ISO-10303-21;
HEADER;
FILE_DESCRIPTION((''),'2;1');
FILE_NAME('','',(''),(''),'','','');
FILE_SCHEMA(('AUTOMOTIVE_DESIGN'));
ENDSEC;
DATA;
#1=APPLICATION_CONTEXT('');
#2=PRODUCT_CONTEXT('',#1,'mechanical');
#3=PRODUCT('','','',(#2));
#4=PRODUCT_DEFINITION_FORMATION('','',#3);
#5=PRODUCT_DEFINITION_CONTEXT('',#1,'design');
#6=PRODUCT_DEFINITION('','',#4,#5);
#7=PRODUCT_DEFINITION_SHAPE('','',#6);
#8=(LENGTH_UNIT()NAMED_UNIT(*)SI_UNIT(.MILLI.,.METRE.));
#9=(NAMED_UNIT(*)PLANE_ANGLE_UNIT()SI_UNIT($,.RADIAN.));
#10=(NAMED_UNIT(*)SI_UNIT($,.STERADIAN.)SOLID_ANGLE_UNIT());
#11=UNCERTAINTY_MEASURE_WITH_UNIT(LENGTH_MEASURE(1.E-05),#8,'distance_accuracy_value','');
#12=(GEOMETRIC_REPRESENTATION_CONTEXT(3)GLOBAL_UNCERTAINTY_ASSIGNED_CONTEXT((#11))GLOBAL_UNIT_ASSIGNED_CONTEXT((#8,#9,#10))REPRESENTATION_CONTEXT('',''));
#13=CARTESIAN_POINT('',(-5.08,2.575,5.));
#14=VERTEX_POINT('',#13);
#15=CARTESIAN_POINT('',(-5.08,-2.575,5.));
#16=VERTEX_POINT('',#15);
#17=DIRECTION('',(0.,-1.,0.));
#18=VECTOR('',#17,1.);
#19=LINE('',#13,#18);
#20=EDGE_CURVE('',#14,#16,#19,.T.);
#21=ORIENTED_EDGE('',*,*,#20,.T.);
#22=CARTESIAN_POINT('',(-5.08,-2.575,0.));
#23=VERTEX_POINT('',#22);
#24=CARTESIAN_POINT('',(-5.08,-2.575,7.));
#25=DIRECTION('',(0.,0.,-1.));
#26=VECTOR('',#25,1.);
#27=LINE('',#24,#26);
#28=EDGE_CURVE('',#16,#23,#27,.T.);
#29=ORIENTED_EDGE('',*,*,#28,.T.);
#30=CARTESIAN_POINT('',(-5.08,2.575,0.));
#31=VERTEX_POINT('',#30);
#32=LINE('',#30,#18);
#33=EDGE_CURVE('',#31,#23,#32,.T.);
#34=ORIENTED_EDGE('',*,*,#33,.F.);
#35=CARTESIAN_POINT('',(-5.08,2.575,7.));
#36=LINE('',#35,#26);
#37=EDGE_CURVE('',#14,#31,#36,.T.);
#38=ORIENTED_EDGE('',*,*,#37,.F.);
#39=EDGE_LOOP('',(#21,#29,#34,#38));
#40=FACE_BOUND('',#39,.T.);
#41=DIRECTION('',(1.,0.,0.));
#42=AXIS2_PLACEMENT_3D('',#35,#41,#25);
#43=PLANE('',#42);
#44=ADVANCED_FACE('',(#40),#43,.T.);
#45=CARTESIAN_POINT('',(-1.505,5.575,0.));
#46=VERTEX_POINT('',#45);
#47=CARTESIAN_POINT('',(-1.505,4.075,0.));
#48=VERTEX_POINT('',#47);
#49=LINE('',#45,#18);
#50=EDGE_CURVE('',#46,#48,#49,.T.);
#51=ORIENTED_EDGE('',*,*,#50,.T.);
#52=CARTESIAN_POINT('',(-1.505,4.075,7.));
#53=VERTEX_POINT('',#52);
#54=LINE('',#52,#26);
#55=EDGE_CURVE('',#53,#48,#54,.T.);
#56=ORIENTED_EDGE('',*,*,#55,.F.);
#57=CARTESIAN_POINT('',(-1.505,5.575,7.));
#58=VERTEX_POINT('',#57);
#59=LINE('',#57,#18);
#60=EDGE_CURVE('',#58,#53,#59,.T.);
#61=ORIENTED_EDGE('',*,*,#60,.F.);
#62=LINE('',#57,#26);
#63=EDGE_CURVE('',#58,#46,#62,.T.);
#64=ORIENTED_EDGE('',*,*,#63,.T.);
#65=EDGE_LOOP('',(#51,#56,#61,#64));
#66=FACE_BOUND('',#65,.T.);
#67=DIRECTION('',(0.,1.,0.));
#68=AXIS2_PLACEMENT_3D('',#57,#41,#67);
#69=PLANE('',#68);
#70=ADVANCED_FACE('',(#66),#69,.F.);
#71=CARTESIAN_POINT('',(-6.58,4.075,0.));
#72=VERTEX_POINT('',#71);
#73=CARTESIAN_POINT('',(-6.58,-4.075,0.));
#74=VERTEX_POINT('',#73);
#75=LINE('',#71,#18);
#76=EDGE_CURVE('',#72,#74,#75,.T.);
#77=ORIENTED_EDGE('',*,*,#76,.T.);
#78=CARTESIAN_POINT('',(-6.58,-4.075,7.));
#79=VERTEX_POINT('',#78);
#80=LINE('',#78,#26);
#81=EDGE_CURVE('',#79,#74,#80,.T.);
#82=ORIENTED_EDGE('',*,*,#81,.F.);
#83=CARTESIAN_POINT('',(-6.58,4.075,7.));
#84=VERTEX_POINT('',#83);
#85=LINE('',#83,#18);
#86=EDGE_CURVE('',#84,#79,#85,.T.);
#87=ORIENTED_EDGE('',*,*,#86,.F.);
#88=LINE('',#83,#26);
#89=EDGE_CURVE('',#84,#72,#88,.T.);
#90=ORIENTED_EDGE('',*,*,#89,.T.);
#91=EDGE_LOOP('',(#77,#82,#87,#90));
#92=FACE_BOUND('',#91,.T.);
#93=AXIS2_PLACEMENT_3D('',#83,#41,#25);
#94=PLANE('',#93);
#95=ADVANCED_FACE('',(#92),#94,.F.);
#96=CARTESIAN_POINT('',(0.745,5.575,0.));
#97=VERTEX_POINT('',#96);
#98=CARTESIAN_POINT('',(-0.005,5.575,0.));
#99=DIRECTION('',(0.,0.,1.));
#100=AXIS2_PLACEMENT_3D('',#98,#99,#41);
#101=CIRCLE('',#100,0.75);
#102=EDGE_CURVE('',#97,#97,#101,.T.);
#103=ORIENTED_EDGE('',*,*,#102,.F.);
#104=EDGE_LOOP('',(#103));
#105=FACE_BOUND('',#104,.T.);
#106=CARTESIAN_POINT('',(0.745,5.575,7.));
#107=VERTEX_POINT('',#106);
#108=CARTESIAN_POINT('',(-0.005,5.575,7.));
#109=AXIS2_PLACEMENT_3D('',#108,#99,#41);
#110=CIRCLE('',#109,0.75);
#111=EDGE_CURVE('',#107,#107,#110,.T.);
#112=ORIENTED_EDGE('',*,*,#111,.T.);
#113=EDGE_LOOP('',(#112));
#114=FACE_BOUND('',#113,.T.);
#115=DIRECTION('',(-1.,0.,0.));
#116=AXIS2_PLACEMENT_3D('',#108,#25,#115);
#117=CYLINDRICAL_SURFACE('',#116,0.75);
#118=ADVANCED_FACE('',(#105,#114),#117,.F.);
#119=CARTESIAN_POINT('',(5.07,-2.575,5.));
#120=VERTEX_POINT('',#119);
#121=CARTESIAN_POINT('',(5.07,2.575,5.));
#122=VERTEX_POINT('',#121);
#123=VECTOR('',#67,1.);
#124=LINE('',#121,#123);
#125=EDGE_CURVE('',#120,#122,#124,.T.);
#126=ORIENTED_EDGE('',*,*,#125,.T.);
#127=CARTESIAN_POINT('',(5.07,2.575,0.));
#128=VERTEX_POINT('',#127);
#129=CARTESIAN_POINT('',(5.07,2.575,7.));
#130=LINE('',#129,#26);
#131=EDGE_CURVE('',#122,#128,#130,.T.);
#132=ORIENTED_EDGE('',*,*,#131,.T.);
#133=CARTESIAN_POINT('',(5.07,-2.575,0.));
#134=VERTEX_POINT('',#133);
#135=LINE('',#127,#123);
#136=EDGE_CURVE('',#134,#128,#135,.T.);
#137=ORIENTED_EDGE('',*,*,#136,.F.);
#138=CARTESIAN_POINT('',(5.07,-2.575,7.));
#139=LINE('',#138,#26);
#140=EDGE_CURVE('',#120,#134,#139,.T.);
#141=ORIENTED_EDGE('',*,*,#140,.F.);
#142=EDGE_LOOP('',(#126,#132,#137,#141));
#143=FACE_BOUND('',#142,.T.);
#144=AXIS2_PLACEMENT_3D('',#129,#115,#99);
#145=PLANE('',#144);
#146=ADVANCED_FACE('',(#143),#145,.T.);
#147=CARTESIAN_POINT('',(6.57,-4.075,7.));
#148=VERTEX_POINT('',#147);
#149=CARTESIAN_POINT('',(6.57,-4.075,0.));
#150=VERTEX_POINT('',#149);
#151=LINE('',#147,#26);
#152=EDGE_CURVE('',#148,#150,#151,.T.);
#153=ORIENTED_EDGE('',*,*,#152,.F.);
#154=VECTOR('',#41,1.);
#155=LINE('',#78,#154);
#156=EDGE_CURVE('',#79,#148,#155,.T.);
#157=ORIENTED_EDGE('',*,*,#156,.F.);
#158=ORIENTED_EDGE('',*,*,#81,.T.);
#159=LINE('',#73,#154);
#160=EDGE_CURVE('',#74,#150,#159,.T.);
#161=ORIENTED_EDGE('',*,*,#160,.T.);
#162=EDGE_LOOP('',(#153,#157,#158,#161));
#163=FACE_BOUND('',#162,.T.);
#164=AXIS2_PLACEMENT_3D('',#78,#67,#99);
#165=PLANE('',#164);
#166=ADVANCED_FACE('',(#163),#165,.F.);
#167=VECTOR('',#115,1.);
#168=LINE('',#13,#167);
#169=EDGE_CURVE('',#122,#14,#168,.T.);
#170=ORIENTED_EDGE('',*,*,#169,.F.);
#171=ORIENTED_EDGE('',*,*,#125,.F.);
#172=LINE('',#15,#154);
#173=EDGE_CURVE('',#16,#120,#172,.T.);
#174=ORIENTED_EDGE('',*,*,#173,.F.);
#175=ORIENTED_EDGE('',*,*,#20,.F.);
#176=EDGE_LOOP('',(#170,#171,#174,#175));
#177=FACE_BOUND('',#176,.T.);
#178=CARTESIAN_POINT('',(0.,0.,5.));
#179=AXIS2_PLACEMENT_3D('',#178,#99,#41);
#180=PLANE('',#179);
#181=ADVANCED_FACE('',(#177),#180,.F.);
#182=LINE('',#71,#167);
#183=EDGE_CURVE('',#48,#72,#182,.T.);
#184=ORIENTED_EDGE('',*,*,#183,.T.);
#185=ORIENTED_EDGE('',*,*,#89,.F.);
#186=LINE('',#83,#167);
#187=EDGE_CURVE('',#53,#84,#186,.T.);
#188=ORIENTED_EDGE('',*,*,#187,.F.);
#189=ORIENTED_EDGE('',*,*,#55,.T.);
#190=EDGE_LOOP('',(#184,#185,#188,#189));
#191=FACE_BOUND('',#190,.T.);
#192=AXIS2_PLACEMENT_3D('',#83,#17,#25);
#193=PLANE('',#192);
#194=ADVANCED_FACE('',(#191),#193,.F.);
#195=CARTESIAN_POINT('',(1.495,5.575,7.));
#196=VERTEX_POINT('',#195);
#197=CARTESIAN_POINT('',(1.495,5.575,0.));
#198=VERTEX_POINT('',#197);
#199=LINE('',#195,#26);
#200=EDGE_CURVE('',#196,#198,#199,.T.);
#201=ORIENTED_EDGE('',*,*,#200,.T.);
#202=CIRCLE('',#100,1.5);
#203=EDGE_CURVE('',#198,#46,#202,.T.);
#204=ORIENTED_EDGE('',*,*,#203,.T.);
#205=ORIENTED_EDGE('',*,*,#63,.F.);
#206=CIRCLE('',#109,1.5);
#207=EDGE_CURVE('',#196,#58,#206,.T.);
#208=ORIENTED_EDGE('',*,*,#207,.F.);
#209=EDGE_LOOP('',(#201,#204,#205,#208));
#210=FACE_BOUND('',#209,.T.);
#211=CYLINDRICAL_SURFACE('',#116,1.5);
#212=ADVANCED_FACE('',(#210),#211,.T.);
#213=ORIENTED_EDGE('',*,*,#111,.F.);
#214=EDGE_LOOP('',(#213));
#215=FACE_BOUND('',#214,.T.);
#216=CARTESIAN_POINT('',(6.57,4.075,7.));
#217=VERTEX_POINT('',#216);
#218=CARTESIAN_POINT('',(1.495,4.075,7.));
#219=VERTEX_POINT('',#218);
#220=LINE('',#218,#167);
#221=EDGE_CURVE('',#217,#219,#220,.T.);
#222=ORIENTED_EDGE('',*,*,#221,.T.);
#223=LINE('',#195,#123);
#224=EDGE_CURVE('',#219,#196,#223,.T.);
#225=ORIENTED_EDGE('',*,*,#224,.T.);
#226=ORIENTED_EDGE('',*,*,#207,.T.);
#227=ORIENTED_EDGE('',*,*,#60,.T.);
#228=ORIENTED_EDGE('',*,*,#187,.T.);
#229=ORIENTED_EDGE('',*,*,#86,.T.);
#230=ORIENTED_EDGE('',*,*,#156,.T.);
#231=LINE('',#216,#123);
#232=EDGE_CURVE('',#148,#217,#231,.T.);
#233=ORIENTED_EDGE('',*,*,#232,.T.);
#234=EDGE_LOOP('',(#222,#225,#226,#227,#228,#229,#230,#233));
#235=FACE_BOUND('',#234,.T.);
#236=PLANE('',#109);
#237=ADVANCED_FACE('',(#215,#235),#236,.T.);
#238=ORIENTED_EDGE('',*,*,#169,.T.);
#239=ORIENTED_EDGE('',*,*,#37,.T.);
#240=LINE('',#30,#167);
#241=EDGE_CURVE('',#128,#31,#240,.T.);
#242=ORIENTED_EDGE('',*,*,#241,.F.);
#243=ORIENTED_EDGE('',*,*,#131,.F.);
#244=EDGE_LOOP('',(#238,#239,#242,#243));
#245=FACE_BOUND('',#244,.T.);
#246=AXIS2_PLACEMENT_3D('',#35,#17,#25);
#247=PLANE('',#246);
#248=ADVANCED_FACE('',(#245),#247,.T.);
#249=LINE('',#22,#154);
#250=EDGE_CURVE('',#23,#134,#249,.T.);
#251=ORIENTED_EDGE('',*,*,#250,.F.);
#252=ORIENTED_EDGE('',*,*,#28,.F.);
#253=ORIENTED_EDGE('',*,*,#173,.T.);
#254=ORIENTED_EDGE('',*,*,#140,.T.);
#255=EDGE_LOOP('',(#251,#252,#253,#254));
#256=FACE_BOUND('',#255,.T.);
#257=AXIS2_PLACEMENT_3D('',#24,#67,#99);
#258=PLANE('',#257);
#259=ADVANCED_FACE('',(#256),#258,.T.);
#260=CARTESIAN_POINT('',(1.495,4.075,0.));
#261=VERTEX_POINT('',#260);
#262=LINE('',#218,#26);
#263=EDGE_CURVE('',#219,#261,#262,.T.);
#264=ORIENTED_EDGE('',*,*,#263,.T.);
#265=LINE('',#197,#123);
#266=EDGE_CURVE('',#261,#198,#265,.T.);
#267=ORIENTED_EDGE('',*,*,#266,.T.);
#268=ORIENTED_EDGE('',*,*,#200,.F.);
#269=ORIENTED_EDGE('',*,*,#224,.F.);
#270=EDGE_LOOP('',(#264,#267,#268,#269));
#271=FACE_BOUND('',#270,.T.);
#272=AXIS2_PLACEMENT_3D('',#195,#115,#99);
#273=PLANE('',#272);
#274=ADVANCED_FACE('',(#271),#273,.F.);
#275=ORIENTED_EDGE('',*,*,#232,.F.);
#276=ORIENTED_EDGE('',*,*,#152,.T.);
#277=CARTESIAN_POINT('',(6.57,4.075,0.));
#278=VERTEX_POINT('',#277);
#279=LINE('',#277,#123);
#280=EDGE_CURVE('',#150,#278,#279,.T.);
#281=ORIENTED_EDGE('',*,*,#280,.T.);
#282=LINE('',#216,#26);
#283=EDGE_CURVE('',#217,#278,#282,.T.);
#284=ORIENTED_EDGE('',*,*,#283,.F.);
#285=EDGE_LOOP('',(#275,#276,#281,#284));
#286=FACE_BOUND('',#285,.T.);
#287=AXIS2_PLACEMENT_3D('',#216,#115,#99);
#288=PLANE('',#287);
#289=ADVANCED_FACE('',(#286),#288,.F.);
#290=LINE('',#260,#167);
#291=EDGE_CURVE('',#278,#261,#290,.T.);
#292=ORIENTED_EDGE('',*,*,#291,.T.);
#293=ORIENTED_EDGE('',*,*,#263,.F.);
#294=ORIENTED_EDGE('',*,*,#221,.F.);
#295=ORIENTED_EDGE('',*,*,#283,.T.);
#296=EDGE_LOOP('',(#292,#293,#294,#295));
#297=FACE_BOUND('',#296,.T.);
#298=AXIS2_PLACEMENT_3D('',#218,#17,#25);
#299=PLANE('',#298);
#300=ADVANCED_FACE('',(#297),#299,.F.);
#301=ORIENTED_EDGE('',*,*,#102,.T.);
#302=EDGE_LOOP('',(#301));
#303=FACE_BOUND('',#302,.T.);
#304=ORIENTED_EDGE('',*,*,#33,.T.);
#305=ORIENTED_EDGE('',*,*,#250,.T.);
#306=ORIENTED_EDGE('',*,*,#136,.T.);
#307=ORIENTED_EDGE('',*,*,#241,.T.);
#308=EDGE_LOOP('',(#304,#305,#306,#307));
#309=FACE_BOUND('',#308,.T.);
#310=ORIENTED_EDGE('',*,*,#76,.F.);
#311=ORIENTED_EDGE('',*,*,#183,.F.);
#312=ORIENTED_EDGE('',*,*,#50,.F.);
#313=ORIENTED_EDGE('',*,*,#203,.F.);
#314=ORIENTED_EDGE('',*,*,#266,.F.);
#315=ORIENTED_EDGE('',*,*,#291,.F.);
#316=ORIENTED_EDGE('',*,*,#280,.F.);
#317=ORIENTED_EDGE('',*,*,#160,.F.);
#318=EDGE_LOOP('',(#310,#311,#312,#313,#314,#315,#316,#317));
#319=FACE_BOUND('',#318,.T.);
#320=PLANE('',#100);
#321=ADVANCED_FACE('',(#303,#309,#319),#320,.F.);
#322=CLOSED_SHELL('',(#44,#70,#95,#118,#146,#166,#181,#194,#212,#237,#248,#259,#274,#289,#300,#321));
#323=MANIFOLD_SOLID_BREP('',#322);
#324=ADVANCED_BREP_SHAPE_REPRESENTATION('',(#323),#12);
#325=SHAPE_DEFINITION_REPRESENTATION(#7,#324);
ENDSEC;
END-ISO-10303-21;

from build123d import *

# Parameters (mm, degrees)
SKETCH1_R           = 0.75
SKETCH1_W           = 10.15
SKETCH1_H           = 5.15
BOSS_EXTRUDE1_DEPTH = 7
SKETCH2_W           = 13.15
SKETCH2_H           = 8.15
BOSS_EXTRUDE2_DEPTH = 2


with BuildPart() as part:
    # Sketch1 → Boss-Extrude1 (new body)
    with BuildSketch(Plane.XY):
        with BuildLine():
            Line((-6.58, 4.075), (-1.505, 4.075))
            Line((-1.505, 4.075), (-1.505, 5.575))
            ThreePointArc((-1.505, 5.575), (-0.005, 7.075), (1.495, 5.575))
            Line((1.495, 5.575), (1.495, 4.075))
            Line((1.495, 4.075), (6.57, 4.075))
            Line((6.57, 4.075), (6.57, -4.075))
            Line((6.57, -4.075), (-6.58, -4.075))
            Line((-6.58, -4.075), (-6.58, 4.075))
        make_face()
        with Locations((-0.005, 5.575)):
            Circle(SKETCH1_R, mode=Mode.SUBTRACT)
        with Locations((-0.005, 0)):
            Rectangle(SKETCH1_W, SKETCH1_H, mode=Mode.SUBTRACT)
    extrude(amount=BOSS_EXTRUDE1_DEPTH)

    # Sketch2 → Boss-Extrude2 (add)
    with BuildSketch(Plane.XY.offset(7)):
        with Locations((-0.005, 0)):
            Rectangle(SKETCH2_W, SKETCH2_H)
    extrude(amount=-BOSS_EXTRUDE2_DEPTH)


solid = part.part
